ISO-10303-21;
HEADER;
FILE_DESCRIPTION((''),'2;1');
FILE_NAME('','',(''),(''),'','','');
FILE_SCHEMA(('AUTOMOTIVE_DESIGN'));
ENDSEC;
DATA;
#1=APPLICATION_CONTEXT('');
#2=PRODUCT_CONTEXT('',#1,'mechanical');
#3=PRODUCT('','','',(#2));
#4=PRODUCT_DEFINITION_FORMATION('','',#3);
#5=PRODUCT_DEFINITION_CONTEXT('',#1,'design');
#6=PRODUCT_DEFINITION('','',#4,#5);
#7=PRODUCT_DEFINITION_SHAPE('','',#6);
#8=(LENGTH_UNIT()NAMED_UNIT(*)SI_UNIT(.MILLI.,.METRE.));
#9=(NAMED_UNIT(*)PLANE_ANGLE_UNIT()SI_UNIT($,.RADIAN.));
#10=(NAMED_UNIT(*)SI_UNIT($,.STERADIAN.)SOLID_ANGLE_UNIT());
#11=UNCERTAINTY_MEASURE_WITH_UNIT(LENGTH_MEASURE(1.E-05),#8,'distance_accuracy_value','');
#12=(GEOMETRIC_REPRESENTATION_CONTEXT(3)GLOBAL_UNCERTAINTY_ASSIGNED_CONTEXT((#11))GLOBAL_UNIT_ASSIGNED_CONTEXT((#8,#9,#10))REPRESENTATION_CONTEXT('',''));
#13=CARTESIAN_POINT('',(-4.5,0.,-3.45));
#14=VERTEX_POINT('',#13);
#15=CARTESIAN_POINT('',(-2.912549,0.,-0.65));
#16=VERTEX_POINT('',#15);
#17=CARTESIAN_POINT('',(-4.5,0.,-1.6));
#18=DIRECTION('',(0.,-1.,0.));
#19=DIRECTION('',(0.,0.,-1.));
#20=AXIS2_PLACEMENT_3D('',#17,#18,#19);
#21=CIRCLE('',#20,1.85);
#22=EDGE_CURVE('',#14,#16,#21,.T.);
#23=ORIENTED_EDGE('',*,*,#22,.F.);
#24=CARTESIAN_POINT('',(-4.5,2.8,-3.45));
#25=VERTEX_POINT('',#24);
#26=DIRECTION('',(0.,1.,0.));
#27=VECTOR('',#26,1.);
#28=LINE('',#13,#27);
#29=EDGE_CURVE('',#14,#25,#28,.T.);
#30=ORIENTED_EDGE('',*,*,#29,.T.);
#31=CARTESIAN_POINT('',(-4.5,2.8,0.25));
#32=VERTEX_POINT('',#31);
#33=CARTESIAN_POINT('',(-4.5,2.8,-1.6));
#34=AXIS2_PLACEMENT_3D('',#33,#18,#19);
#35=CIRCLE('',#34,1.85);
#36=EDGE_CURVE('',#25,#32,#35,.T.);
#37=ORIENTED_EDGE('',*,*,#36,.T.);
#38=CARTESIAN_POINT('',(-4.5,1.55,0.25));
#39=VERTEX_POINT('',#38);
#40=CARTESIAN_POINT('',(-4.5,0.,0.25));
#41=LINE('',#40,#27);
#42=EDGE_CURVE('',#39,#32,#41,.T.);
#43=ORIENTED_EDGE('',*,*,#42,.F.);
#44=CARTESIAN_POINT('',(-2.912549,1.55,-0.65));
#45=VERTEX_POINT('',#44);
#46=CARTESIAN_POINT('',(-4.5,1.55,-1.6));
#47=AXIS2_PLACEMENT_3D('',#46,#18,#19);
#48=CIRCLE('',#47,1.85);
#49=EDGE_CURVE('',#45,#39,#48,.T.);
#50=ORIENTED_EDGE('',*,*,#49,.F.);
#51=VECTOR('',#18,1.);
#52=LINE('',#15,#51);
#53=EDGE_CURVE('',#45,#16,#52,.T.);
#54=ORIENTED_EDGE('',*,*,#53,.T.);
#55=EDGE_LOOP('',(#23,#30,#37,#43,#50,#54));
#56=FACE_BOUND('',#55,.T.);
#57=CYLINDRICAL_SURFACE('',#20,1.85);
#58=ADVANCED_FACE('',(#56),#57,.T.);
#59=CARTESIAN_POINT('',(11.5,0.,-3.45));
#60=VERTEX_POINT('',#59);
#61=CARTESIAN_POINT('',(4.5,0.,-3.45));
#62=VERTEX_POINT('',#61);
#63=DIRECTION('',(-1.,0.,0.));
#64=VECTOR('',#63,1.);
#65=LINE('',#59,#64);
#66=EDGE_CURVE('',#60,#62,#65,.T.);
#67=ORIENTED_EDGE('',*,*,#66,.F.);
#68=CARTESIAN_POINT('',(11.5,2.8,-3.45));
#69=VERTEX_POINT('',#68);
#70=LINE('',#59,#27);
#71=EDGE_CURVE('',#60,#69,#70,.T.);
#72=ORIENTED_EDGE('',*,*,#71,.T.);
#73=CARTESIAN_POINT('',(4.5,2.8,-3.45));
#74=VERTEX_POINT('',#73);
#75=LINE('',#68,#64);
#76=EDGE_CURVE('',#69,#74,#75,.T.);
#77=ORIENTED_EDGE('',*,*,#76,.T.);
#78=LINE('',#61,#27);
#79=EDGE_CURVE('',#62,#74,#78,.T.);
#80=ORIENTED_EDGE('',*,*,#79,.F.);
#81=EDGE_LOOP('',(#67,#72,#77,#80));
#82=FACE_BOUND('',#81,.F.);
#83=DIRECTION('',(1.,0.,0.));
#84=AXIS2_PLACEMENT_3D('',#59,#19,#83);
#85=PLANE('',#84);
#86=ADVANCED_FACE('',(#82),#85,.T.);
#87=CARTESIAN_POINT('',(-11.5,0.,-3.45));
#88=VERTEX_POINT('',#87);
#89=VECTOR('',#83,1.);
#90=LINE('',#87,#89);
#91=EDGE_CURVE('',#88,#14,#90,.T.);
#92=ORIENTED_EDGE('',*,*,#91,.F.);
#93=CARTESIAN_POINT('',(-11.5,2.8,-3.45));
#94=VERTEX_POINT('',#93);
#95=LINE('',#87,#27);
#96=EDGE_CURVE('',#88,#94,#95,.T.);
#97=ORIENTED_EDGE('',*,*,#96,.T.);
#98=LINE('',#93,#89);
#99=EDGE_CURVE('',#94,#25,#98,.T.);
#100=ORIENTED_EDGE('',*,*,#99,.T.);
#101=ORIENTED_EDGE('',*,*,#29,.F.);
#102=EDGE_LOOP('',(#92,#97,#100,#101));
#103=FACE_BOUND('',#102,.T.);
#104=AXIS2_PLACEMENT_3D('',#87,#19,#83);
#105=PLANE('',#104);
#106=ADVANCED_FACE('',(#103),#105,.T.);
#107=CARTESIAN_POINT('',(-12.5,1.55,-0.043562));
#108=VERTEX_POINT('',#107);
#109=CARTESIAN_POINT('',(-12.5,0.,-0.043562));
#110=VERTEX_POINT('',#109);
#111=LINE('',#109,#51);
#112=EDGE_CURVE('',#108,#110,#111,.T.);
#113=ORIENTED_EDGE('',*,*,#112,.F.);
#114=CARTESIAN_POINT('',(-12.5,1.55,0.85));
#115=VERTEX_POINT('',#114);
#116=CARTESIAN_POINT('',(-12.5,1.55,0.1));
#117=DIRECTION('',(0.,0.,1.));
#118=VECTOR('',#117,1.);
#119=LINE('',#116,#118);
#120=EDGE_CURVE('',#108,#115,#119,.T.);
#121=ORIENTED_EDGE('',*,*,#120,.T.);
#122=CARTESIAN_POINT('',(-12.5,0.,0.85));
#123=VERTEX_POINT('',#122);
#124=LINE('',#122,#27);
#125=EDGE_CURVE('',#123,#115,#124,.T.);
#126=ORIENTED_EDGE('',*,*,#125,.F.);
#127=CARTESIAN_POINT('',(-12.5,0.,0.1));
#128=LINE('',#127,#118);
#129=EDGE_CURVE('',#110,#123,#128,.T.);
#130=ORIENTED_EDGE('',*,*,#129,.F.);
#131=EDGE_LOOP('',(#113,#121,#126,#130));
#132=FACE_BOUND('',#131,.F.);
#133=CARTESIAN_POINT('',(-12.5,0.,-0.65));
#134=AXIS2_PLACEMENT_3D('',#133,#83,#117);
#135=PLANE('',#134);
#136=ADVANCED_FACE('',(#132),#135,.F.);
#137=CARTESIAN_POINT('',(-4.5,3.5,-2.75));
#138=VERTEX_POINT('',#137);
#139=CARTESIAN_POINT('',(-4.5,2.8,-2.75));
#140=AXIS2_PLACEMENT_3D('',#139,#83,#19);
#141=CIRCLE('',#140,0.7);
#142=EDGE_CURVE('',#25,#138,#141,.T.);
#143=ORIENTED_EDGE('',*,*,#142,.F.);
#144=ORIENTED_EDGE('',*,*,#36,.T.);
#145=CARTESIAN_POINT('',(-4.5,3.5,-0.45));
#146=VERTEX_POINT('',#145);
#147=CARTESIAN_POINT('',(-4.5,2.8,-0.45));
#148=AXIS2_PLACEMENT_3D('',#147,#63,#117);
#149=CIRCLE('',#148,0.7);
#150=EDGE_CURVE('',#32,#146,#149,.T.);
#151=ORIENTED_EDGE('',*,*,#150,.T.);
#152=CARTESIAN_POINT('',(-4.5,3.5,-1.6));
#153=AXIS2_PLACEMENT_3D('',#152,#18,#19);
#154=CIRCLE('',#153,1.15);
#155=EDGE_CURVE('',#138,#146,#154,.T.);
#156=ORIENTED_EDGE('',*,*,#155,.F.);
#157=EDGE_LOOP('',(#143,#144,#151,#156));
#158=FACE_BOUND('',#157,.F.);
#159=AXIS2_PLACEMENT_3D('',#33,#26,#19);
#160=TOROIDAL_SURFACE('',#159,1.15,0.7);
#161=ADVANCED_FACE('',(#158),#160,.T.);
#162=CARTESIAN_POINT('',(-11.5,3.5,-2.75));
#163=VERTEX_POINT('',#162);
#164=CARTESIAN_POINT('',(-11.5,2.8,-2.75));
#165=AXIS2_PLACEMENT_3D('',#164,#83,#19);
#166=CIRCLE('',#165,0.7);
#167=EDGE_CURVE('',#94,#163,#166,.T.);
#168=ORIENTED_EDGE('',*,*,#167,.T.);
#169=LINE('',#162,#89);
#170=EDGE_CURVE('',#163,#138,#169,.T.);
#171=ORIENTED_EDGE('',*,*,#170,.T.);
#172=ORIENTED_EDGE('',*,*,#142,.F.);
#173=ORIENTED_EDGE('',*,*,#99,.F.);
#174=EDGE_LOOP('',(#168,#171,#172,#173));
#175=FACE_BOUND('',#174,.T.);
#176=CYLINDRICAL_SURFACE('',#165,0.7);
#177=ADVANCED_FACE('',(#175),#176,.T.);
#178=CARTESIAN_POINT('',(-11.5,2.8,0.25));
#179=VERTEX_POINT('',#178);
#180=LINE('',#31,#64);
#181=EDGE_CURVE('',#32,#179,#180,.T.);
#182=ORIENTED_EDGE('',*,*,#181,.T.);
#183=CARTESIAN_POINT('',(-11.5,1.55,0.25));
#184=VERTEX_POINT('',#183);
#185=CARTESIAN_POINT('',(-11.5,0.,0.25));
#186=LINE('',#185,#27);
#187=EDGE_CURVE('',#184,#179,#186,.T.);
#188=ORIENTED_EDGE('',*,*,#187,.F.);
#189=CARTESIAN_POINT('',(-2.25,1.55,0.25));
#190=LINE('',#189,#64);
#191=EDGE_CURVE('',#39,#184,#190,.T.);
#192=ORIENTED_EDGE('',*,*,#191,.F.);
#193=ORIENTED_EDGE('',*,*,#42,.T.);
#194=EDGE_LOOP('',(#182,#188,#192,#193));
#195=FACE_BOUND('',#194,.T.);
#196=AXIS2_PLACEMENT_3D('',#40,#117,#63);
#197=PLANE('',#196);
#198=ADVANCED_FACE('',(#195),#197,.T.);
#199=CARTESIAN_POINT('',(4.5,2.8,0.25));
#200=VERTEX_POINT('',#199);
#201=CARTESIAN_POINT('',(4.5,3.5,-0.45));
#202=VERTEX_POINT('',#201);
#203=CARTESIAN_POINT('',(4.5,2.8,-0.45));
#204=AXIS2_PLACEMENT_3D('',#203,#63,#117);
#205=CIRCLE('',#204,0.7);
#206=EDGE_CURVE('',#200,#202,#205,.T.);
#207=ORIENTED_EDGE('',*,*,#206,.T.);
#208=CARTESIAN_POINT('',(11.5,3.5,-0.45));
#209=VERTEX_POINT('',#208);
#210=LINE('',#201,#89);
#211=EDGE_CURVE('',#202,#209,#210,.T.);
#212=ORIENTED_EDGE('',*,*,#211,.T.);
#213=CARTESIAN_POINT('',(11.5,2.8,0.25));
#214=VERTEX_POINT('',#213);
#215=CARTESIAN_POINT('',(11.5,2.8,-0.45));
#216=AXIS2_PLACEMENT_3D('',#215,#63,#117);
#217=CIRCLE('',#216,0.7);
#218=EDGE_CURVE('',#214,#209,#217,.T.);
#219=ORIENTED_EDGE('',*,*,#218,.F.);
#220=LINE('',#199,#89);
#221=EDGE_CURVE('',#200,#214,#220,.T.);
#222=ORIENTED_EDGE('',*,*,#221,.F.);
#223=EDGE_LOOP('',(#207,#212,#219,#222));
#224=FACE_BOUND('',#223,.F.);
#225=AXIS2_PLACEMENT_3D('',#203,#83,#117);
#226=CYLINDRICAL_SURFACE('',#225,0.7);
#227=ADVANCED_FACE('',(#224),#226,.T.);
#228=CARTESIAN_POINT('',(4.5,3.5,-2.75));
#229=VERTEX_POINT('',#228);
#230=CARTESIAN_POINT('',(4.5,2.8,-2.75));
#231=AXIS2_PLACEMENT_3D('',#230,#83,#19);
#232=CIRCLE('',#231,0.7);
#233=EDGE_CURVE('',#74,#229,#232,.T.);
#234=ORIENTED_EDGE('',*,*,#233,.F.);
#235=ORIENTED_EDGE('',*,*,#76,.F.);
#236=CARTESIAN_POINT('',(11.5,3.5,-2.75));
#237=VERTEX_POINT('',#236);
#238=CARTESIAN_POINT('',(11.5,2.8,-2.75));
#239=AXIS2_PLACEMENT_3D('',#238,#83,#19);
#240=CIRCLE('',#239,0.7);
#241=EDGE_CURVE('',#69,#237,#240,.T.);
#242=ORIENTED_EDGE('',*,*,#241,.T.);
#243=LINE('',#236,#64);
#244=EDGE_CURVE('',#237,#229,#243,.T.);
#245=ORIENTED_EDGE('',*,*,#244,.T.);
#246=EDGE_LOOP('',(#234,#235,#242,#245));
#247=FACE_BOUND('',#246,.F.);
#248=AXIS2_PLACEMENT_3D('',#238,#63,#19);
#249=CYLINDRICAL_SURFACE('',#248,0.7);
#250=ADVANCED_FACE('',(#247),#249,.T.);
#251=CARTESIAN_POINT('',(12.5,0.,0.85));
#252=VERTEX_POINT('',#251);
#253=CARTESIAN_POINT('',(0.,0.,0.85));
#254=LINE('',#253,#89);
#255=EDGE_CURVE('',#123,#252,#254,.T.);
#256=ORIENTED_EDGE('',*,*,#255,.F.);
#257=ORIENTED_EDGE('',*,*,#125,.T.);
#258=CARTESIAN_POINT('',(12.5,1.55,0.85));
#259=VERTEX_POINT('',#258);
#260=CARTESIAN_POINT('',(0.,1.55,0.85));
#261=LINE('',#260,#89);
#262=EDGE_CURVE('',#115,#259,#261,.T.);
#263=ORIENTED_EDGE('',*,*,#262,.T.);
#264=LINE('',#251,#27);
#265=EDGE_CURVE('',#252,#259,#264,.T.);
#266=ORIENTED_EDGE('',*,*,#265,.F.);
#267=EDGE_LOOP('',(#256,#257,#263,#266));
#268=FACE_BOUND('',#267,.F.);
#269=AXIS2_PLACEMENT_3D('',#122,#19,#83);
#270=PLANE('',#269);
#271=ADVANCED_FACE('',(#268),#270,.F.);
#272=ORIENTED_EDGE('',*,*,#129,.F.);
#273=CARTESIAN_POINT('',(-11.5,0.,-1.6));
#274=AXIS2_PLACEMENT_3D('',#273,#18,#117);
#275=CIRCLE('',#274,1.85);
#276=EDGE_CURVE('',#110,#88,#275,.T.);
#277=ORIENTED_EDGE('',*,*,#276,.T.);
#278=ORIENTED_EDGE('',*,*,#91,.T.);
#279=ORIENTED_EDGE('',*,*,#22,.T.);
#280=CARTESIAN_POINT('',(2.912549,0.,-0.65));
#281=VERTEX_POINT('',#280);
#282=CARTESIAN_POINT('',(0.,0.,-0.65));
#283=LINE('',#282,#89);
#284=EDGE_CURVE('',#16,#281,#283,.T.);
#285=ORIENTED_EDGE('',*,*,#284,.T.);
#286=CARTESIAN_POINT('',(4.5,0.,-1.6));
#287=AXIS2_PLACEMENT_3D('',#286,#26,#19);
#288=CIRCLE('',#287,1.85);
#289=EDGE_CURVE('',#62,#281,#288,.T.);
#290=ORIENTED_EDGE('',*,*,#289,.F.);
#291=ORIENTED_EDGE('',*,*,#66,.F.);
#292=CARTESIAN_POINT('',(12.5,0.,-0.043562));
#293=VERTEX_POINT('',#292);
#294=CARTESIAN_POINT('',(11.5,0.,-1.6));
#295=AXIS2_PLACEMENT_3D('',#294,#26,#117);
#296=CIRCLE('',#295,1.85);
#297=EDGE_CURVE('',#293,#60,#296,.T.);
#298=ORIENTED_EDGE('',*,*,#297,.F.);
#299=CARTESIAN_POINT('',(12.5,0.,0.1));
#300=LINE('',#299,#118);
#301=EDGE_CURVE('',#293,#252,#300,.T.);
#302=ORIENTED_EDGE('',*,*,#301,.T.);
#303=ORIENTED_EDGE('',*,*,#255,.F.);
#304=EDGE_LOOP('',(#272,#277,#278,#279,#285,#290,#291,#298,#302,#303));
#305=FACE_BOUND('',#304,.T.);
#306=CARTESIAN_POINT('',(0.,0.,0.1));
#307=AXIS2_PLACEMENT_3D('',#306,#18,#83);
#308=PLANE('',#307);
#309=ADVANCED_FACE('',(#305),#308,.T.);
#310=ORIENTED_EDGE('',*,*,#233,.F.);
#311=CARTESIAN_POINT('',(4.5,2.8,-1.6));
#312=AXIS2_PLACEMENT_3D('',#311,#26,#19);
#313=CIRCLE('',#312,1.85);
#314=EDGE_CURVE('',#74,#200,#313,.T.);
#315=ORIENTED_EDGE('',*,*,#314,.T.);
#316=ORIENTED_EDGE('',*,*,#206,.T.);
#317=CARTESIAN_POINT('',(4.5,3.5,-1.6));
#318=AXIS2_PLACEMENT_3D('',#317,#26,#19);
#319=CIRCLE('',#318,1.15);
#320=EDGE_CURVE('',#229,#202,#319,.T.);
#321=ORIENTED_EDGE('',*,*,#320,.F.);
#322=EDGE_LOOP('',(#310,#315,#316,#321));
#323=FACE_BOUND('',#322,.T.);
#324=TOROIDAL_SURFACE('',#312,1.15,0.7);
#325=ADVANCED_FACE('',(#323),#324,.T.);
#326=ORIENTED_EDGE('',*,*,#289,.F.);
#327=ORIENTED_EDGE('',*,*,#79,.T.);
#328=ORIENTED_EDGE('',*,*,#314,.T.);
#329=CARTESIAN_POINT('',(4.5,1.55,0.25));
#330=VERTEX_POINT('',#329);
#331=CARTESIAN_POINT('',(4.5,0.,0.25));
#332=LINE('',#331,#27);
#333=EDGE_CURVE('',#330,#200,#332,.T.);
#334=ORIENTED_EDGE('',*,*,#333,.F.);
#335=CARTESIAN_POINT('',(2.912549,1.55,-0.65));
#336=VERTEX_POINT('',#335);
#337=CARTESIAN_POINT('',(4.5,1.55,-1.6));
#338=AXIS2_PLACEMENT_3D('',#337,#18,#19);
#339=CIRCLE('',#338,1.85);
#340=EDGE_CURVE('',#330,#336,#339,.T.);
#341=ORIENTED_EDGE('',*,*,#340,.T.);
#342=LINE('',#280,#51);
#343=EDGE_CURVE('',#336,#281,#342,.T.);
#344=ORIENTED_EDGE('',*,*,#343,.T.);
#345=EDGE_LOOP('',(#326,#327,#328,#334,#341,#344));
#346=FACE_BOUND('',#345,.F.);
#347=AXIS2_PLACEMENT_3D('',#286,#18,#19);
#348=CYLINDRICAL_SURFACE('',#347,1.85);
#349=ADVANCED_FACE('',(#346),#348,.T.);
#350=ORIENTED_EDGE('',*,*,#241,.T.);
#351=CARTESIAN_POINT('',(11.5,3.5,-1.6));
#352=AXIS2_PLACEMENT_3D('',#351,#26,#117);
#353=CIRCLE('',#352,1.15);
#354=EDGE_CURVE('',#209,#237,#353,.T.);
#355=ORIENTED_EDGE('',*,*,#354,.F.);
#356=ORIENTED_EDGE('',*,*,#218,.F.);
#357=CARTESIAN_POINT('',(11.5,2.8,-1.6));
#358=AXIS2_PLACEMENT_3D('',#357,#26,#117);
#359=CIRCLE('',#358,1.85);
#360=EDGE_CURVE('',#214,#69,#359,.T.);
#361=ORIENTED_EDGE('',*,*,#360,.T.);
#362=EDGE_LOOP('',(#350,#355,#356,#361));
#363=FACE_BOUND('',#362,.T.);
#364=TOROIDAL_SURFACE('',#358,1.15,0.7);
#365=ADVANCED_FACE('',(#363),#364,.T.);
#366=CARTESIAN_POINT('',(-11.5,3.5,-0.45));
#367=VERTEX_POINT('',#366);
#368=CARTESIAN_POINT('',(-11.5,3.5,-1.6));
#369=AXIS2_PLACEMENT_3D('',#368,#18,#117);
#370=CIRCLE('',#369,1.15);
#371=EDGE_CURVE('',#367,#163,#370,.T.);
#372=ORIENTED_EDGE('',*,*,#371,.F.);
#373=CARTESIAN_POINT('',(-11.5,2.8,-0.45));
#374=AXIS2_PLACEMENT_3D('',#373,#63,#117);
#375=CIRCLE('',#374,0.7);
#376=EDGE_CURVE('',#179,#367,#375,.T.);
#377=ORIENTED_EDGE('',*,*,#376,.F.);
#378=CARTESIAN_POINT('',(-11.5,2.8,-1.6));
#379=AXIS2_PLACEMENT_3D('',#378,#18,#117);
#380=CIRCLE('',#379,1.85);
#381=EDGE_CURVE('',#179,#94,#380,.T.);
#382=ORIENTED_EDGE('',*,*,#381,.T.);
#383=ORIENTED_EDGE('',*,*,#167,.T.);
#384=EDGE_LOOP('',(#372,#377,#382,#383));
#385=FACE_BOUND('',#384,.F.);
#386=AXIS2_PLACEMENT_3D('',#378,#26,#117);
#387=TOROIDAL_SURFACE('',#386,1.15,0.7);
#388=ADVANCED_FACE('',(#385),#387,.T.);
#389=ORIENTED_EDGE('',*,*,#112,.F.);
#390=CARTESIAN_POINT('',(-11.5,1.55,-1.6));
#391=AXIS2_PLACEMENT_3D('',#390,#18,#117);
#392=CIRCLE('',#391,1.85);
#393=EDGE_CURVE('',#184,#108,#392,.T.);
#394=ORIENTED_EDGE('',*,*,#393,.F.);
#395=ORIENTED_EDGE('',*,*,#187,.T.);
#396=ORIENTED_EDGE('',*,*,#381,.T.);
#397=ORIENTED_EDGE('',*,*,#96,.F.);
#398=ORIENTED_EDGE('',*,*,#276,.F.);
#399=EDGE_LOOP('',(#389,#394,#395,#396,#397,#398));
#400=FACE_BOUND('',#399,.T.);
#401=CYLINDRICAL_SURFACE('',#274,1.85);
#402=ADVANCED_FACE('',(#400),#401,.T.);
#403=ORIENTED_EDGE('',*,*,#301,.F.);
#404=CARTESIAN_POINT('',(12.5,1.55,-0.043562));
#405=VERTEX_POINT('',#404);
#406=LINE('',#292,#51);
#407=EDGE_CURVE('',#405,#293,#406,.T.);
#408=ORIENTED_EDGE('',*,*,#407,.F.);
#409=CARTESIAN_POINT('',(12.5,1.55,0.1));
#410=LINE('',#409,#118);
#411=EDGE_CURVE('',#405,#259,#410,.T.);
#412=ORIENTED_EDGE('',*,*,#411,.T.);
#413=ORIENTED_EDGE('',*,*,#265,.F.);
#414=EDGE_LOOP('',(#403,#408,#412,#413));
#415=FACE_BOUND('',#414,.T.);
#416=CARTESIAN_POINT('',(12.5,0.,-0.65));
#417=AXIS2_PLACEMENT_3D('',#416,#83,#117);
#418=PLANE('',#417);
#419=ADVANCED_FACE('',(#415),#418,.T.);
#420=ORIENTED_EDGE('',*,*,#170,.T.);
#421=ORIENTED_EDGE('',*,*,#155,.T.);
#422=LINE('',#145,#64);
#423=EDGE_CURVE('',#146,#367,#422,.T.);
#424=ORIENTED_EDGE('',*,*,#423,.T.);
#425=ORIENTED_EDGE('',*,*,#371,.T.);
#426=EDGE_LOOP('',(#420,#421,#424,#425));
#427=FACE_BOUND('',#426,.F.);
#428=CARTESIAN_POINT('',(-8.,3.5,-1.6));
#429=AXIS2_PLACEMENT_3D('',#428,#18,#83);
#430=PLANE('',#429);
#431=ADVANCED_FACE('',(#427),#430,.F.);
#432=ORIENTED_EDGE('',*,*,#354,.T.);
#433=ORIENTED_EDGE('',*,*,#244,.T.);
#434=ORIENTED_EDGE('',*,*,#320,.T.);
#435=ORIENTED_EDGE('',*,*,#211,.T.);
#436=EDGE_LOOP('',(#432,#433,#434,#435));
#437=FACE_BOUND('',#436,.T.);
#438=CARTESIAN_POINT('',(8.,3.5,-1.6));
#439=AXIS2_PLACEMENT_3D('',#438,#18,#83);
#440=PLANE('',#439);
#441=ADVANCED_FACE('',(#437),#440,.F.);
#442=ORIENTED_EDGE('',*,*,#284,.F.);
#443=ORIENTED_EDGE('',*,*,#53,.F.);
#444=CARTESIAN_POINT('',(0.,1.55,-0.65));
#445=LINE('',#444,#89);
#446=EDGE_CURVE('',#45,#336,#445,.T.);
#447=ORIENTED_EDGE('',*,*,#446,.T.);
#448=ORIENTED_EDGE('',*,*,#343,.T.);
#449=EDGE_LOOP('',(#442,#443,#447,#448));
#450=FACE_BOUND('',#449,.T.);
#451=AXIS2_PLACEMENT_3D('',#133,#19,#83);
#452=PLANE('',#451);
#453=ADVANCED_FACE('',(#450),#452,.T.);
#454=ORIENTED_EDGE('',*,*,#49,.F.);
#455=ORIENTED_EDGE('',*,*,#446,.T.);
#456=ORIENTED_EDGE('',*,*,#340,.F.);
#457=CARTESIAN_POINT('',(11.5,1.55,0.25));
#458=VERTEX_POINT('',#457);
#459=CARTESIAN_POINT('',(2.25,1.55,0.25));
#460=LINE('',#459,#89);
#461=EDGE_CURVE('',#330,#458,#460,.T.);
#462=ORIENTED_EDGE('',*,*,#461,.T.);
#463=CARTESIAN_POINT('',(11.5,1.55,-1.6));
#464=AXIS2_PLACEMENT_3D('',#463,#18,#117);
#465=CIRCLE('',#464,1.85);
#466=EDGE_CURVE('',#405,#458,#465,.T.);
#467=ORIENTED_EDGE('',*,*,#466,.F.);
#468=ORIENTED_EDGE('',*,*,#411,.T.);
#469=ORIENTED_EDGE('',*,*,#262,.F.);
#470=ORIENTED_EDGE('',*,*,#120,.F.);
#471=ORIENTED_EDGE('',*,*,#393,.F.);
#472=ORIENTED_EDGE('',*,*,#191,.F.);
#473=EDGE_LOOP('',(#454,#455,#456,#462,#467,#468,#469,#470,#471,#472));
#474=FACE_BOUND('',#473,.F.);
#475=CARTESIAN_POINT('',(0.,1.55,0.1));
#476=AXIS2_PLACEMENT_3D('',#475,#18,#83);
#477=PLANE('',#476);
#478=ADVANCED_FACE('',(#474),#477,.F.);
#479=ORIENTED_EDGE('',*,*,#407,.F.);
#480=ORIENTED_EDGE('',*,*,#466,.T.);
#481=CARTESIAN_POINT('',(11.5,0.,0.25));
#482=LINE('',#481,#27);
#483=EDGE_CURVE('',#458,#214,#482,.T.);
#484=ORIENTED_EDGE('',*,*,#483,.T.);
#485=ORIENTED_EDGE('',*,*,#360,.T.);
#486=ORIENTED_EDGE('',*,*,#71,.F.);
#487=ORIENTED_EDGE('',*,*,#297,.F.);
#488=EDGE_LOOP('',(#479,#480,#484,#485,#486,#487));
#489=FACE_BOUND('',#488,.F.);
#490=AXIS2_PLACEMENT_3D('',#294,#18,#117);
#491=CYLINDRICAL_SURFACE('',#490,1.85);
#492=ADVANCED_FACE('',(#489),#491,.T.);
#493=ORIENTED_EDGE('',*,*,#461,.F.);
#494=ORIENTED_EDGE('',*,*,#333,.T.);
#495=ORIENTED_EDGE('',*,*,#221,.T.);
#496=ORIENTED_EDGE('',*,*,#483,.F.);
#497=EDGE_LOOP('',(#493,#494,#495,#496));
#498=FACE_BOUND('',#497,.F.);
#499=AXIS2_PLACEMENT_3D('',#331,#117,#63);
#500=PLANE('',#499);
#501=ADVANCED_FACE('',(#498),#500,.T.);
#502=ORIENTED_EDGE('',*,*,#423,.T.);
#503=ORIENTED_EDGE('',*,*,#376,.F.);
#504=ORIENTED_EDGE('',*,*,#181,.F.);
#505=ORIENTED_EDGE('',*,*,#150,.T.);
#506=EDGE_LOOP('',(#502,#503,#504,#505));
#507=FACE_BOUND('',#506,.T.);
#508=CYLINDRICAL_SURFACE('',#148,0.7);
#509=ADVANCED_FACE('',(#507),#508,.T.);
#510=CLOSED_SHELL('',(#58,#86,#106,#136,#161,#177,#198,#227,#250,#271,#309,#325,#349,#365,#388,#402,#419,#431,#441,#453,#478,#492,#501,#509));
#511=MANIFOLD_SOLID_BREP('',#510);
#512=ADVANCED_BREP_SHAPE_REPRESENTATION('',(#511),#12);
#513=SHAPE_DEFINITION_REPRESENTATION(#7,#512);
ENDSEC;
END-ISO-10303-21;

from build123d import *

# Parameters (mm, degrees)
SKETCH007_W  = 25
SKETCH007_H  = 1.5
PAD001_DEPTH = 1.55
PAD002_DEPTH = 3.5
FILLET002_R  = 0.7


with BuildPart() as part:
    # Sketch007 → Pad001 (new body)
    with BuildSketch(Plane.XZ):
        with Locations((0, 0.1)):
            Rectangle(SKETCH007_W, SKETCH007_H)
    extrude(amount=-PAD001_DEPTH)

    # Sketch008 → Pad002 (join)
    with BuildSketch(Plane.XZ):
        with BuildLine():
            ThreePointArc((-11.5, 0.25), (-13.35, -1.6), (-11.5, -3.45))
            Line((-11.5, -3.45), (-4.5, -3.45))
            ThreePointArc((-4.5, -3.45), (-2.65, -1.6), (-4.5, 0.25))
            Line((-4.5, 0.25), (-11.5, 0.25))
        make_face()
    pad002 = extrude(amount=-PAD002_DEPTH)

    # Mirrored001: Pad002 across Sketch008 V_Axis
    add(pad002.mirror(Plane(origin=(0, 0, 0), x_dir=(0, -1, 0), z_dir=(1, 0, 0))))

    # Fillet002
    fillet002_edges = [part.edges().sort_by_distance(p)[0] for p in [
        (13.35, 3.5, -1.6),
        (8, 3.5, -3.45),
        (2.65, 3.5, -1.6),
        (8, 3.5, 0.25),
        (-13.35, 3.5, -1.6),
        (-8, 3.5, -3.45),
        (-2.65, 3.5, -1.6),
        (-8, 3.5, 0.25),
    ]]
    fillet(fillet002_edges, radius=FILLET002_R)


solid = part.part
